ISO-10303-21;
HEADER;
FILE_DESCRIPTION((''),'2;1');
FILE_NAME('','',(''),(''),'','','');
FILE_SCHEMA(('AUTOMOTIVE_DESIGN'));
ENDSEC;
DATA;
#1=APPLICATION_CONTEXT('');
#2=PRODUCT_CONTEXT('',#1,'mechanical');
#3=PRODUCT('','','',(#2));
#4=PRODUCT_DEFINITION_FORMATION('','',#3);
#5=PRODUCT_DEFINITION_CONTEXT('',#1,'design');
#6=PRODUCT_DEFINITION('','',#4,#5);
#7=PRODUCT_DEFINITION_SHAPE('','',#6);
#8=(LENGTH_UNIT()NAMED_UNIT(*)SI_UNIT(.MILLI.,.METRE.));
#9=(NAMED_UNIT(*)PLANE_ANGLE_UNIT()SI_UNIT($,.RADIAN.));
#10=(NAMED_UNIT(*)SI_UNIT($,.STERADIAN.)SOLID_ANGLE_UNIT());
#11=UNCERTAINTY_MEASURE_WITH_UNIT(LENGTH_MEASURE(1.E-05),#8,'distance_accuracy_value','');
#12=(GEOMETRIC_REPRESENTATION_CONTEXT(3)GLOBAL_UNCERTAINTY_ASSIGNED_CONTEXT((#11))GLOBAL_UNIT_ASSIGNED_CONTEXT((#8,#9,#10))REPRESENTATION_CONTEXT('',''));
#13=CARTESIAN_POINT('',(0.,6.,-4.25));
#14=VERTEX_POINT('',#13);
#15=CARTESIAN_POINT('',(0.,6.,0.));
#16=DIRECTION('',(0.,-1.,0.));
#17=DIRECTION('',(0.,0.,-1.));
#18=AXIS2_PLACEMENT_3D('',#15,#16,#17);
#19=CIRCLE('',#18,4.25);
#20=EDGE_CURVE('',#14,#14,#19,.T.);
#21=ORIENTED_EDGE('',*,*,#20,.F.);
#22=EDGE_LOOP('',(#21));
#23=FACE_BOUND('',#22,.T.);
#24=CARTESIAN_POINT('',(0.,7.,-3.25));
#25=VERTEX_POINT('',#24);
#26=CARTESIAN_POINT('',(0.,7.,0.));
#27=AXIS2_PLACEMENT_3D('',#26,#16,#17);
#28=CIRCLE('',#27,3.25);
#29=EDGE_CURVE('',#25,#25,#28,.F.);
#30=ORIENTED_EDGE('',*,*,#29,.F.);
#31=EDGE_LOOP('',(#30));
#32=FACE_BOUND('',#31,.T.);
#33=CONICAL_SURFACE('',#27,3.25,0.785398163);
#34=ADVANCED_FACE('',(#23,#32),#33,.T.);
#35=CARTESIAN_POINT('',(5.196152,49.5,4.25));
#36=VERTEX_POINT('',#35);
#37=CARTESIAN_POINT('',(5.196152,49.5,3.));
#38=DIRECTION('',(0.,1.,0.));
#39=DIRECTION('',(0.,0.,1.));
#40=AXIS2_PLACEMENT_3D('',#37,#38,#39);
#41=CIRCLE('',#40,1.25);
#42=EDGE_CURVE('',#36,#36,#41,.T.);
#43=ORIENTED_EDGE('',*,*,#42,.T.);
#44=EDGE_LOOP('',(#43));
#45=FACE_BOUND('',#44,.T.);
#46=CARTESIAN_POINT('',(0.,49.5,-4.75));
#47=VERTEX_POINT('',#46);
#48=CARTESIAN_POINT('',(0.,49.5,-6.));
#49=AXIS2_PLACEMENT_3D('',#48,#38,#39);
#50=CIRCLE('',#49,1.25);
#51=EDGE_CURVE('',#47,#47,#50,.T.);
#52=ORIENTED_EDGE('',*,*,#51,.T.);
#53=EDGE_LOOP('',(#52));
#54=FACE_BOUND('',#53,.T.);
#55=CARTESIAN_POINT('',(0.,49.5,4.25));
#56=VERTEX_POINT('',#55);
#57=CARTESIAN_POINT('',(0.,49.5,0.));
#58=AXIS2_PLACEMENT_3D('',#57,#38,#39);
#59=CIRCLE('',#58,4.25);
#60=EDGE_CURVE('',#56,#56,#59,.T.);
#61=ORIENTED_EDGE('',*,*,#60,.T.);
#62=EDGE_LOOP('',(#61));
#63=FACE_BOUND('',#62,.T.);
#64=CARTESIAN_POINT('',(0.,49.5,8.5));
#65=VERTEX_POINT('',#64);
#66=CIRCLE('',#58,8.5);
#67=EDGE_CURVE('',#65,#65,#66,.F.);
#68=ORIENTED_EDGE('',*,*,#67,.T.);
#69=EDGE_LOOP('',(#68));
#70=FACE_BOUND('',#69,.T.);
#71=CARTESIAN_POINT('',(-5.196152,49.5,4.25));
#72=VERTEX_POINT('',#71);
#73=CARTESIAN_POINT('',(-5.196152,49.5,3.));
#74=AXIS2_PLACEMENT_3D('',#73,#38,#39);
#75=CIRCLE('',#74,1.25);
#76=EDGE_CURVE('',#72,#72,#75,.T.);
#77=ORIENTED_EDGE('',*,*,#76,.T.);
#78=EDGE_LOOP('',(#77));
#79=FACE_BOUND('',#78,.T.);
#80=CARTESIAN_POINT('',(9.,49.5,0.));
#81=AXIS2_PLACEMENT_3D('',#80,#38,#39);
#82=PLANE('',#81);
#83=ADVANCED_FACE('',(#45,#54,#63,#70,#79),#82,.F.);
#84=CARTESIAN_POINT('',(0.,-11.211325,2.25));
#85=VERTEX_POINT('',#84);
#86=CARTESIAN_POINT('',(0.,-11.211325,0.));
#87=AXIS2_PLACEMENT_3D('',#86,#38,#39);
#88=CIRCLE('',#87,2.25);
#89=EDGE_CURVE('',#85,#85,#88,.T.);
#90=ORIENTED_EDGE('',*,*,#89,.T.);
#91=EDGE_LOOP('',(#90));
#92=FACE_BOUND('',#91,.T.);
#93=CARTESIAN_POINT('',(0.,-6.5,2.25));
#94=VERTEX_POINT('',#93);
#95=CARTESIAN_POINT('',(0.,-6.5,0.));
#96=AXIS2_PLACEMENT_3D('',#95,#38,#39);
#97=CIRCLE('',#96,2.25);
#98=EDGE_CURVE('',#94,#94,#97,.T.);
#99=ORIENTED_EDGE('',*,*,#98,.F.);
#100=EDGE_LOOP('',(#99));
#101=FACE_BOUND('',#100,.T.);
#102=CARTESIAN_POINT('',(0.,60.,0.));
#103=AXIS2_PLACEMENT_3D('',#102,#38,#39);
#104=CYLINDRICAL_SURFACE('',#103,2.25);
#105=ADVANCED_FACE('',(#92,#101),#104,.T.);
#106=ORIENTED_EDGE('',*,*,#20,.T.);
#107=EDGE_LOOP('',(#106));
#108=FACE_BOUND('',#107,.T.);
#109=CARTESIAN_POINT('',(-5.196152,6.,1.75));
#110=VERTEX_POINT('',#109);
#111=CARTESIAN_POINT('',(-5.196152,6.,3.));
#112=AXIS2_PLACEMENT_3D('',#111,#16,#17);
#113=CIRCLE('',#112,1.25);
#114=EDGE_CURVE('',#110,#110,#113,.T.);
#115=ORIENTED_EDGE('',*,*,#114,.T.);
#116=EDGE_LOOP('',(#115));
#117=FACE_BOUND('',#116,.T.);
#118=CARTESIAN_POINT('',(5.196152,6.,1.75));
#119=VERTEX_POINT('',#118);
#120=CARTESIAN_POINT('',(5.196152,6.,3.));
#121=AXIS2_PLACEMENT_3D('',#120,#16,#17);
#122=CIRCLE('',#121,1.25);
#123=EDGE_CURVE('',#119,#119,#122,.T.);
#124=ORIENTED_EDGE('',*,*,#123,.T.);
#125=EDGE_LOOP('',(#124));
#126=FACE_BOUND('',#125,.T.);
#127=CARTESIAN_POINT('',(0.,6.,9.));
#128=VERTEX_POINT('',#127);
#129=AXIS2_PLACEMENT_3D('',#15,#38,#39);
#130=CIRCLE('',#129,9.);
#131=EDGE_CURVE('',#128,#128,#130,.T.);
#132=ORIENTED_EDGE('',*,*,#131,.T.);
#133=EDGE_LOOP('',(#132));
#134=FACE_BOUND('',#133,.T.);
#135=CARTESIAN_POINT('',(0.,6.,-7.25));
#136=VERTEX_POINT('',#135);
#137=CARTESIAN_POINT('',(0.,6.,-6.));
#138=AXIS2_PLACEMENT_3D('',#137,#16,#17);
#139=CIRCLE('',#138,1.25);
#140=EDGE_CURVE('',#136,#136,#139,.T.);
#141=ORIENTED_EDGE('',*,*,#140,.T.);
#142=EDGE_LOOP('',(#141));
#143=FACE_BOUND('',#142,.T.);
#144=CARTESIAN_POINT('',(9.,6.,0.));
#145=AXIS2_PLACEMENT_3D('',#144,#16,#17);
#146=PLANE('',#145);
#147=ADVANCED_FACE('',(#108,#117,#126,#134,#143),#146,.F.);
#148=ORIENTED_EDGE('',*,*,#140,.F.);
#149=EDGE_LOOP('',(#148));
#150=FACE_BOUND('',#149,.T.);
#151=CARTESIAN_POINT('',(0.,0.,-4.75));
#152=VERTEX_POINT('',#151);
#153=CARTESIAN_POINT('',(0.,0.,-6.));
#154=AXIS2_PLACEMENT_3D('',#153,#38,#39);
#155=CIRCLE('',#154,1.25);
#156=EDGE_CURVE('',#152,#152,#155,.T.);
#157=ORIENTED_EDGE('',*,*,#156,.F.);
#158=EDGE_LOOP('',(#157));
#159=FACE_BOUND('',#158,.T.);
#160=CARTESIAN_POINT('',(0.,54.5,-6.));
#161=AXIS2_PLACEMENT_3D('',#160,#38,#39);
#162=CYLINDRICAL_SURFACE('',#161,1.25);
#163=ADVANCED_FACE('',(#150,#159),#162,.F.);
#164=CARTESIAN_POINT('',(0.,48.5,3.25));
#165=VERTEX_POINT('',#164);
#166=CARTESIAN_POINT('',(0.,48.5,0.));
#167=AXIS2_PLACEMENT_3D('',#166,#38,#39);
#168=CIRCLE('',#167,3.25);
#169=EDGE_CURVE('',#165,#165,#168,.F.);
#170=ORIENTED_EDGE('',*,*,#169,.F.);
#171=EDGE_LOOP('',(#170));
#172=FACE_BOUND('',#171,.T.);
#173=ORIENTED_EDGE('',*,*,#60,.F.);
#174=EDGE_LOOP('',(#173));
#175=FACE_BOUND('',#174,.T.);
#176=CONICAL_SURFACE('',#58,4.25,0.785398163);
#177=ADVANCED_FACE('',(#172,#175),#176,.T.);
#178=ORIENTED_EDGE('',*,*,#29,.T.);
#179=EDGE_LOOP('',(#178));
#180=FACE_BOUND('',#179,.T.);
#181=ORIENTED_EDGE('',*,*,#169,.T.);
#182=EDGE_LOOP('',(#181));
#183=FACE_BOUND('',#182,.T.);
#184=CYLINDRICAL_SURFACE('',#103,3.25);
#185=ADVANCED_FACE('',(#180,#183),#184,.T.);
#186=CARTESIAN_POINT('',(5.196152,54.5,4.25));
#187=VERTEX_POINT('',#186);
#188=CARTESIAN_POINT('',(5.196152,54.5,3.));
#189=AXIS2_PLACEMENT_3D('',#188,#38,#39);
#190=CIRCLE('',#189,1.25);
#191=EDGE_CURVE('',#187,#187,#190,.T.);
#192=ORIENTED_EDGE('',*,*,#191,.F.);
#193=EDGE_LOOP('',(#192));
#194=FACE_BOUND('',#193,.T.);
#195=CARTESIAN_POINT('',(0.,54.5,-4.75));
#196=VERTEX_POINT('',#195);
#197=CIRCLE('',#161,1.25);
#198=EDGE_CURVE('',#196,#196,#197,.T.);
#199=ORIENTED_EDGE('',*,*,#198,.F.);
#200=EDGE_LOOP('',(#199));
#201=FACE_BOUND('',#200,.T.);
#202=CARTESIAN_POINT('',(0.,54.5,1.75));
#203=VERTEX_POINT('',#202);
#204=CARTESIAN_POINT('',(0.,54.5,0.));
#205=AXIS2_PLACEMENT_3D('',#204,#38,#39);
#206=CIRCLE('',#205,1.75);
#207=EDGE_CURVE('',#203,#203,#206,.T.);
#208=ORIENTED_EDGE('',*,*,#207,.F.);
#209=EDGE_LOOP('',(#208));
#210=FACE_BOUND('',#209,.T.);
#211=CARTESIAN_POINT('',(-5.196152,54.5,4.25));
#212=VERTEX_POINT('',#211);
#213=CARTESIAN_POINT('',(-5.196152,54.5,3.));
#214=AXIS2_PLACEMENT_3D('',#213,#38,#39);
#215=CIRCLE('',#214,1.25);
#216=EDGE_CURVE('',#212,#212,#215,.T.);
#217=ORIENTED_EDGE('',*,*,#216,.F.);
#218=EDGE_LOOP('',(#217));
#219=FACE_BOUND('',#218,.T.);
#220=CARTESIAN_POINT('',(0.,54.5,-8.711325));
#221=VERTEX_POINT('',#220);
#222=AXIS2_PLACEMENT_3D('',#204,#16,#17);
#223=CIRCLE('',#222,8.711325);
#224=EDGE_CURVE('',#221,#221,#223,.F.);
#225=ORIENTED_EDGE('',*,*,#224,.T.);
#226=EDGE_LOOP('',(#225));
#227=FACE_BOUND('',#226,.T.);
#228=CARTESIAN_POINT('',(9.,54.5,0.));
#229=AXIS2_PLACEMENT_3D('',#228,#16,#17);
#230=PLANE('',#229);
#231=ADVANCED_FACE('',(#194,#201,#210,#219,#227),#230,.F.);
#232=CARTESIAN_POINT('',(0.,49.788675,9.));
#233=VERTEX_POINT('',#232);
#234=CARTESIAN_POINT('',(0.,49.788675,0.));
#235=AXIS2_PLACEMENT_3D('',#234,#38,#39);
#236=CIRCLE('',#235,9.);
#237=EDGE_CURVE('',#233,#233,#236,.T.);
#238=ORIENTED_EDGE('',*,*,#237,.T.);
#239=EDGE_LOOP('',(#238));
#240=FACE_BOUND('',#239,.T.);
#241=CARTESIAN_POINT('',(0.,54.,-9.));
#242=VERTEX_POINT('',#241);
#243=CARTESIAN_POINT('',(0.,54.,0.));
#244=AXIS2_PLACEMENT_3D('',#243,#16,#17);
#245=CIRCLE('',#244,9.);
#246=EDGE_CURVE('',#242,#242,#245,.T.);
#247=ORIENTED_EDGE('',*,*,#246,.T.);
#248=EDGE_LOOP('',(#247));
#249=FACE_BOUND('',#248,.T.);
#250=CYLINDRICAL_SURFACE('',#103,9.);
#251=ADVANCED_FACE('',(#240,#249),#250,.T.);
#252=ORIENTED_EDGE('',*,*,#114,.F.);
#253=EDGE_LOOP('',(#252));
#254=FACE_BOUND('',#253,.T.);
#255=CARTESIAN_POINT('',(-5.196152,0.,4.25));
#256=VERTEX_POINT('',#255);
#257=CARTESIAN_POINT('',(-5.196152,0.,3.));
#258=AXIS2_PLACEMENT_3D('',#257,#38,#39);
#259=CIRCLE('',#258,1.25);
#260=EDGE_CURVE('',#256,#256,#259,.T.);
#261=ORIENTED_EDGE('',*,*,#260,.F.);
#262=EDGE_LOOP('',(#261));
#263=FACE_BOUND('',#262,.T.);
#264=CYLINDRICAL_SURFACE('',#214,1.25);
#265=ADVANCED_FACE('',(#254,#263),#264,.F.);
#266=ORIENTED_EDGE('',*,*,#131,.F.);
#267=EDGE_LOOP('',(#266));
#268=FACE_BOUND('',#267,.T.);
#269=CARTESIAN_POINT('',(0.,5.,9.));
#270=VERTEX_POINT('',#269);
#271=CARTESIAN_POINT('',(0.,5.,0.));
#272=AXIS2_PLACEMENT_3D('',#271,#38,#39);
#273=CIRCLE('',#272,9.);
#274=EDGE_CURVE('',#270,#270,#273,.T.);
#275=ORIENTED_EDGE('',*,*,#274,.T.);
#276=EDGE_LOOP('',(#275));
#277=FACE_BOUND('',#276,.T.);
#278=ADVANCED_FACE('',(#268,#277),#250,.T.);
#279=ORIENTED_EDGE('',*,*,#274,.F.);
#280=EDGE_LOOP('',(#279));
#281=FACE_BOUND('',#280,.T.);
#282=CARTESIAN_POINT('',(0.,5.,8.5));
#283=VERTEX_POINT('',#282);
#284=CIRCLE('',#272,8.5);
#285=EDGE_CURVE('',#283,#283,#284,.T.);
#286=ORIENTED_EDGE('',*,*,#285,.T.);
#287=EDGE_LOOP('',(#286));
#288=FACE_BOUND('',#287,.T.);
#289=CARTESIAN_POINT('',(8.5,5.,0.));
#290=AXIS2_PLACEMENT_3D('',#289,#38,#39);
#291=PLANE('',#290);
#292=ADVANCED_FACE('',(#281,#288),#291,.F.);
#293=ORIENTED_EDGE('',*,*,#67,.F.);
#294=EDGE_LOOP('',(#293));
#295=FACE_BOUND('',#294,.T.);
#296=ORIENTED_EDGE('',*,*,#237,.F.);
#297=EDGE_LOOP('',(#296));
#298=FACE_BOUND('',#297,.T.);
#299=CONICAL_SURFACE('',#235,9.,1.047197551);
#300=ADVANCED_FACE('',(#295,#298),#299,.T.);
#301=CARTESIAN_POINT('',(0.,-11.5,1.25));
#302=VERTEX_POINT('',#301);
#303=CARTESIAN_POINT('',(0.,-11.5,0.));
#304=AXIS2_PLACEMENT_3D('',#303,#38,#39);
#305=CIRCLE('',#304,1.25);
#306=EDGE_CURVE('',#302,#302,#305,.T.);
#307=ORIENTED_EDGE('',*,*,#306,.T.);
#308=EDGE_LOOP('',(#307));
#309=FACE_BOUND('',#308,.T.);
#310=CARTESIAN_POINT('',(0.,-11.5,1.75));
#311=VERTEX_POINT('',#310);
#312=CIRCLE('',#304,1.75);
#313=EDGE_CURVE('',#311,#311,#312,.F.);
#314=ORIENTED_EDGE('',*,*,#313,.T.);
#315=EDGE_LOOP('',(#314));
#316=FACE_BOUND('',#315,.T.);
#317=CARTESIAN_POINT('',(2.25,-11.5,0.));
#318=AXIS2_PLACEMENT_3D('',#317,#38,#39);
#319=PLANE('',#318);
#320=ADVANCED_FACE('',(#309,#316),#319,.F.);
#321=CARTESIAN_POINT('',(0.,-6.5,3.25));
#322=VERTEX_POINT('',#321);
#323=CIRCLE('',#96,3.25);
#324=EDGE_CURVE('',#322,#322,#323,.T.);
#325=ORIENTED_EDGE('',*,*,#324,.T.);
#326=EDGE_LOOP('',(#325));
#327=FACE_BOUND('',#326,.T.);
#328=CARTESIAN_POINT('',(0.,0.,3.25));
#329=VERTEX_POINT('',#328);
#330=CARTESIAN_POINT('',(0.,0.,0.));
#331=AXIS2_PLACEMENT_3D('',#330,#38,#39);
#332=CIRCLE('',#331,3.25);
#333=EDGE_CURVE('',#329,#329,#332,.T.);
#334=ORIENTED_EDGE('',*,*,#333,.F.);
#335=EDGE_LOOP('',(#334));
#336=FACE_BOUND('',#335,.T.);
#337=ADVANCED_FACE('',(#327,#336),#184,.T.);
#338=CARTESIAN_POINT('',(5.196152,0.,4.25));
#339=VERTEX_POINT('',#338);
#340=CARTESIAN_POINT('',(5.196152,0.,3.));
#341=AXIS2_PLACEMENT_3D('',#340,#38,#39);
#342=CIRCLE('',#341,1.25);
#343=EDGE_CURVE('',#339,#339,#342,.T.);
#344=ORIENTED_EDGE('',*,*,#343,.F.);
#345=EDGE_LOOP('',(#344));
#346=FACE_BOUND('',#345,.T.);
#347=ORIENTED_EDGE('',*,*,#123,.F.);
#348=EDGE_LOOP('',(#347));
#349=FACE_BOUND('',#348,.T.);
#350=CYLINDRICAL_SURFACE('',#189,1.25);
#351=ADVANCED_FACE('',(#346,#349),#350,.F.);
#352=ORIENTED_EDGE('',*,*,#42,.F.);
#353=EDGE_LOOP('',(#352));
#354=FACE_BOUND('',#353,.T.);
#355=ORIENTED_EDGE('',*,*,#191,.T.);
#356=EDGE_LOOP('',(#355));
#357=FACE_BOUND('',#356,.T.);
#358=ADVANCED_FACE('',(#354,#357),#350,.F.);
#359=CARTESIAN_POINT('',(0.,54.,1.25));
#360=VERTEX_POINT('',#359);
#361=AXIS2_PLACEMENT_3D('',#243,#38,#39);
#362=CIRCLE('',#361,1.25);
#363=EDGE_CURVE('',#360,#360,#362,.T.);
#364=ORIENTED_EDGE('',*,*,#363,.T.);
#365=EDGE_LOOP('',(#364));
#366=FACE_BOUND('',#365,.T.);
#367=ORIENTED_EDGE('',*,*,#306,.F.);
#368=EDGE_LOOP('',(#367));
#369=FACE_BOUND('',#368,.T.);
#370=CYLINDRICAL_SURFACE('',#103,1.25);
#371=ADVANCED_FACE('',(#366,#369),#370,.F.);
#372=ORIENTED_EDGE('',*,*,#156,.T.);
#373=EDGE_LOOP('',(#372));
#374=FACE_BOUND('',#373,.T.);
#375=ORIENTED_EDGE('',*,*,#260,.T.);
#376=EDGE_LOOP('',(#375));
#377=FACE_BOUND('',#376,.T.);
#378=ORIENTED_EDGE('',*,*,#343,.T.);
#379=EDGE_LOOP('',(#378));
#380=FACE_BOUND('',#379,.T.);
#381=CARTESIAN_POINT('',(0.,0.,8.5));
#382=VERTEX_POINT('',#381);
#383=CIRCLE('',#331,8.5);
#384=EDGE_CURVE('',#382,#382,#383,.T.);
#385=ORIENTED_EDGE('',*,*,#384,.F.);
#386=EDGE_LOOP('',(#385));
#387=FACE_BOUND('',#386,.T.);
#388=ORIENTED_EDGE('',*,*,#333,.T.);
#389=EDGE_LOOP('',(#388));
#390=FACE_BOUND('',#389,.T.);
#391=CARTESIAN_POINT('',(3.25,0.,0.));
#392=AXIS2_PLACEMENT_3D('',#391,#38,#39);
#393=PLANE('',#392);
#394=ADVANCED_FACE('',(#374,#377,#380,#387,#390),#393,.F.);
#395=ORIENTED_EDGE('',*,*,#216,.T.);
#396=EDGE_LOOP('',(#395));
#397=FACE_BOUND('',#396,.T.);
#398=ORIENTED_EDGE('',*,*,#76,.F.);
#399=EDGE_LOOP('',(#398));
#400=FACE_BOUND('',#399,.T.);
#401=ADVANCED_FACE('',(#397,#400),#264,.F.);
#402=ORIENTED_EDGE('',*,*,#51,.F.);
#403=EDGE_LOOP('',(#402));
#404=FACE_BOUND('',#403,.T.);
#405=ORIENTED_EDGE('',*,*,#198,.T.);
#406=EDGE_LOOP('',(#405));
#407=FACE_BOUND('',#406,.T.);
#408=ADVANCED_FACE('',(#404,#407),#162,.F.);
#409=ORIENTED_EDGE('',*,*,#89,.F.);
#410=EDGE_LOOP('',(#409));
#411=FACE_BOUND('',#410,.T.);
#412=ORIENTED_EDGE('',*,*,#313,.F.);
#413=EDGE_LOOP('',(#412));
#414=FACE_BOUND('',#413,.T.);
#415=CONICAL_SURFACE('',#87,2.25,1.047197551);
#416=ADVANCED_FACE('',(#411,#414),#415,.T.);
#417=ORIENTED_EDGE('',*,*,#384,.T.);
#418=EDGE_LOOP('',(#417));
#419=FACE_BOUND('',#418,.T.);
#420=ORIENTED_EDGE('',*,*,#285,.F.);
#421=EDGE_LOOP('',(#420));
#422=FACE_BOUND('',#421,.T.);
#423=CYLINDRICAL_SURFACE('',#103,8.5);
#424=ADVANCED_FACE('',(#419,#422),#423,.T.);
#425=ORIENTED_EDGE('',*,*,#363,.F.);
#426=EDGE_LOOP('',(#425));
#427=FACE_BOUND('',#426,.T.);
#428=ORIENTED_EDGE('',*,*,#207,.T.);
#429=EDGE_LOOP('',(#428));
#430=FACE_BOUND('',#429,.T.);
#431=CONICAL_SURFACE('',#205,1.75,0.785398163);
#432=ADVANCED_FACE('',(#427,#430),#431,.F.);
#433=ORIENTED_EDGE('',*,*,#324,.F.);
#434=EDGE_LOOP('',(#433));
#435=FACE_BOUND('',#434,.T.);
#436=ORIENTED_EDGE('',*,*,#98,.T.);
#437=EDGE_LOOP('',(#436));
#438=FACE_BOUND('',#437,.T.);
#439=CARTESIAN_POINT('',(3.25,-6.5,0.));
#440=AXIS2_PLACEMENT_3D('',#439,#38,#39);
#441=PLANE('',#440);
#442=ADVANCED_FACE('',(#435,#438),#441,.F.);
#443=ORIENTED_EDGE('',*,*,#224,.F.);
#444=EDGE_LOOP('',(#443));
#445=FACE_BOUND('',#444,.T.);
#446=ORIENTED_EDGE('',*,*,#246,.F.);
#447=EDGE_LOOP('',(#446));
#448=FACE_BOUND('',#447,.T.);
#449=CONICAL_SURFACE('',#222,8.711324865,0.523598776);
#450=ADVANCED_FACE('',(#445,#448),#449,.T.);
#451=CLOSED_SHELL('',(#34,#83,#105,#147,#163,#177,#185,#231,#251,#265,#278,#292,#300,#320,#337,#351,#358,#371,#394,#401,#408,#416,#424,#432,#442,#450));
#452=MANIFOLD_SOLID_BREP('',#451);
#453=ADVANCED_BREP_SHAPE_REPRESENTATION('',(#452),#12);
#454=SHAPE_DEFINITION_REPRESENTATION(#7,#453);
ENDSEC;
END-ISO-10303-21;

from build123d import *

# Parameters (mm, degrees)
HOLE_WIZARD_M3_1_D           = 2.5
CHAMFER_1_SIZE               = 1
CHAMFER_2_SIZE               = 0.5
CHAMFER_2_SIZE2              = 0.288675135
CHAMFER_2_PART_2_SIZE        = 0.5
CHAMFER_2_PART_2_SIZE2       = 0.288675135
CHAMFER_2_PART_3_SIZE        = 0.5
CHAMFER_2_PART_3_SIZE2       = 0.288675135
HOLE_WIZARD_M3_2_D           = 2.5
HOLE_WIZARD_M3_2_DEPTH       = 6
HOLE_WIZARD_M3_2_CSINK_D     = 3.5
HOLE_WIZARD_M3_2_CSINK_ANGLE = 90
HOLE_WIZARD_M3_2_TIP         = 0.751075774


with BuildPart() as part:
    # 草图2 → 旋转1 (revolve)
    with BuildSketch(Plane.XY):
        Polygon((3.25, 0), (8.5, 0), (8.5, 5), (9, 5), (9, 6), (3.25, 6), (3.25, 49.5), (9, 49.5), (9, 54.5), (1.25, 54.5), (1.25, -11.5), (2.25, -11.5), (2.25, -6.5), (3.25, -6.5), align=None)
    revolve(axis=Axis((0, 60, 0), (0, -1, 0)))

    # M3 螺纹孔1 (through all)
    with Locations(Plane(origin=(0, 54.5, 0), x_dir=(1, 0, 0), z_dir=(0, 1, 0))):
        with Locations((-5.196152423, -3), (0, 6), (5.196152423, -3)):
            Hole(HOLE_WIZARD_M3_1_D / 2)

    # 倒角1
    chamfer_1_edges = [part.edges().sort_by_distance(p)[0] for p in [
        (-3.25, 6, 0),
        (-3.25, 49.5, 0),
    ]]
    chamfer(chamfer_1_edges, length=CHAMFER_1_SIZE)

    # 倒角2
    chamfer_2_edges = [part.edges().sort_by_distance(p)[0] for p in [
        (-9, 49.5, 0),
    ]]
    chamfer_2_side = [part.faces().sort_by_distance(p)[0] for p in [
        (-4.504558441, 49.5, 0),
    ]]
    chamfer(chamfer_2_edges, length=CHAMFER_2_SIZE, length2=CHAMFER_2_SIZE2, reference=chamfer_2_side[0])

    # 倒角2 part 2
    chamfer_2_part_2_edges = [part.edges().sort_by_distance(p)[0] for p in [
        (-9, 54.5, 0),
    ]]
    chamfer_2_part_2_side = [part.faces().sort_by_distance(p)[0] for p in [
        (-9, 52, 0),
    ]]
    chamfer(chamfer_2_part_2_edges, length=CHAMFER_2_PART_2_SIZE, length2=CHAMFER_2_PART_2_SIZE2, reference=chamfer_2_part_2_side[0])

    # 倒角2 part 3
    chamfer_2_part_3_edges = [part.edges().sort_by_distance(p)[0] for p in [
        (-2.25, -11.5, 0),
    ]]
    chamfer_2_part_3_side = [part.faces().sort_by_distance(p)[0] for p in [
        (-1.31363961, -11.5, 0),
    ]]
    chamfer(chamfer_2_part_3_edges, length=CHAMFER_2_PART_3_SIZE, length2=CHAMFER_2_PART_3_SIZE2, reference=chamfer_2_part_3_side[0])

    # M3 螺纹孔2
    with Locations(Plane(origin=(0, 54.5, 0), x_dir=(1, 0, 0), z_dir=(0, 1, 0))):
        with Locations((0, 0)):
            CounterSinkHole(HOLE_WIZARD_M3_2_D / 2, HOLE_WIZARD_M3_2_CSINK_D / 2, depth=HOLE_WIZARD_M3_2_DEPTH, counter_sink_angle=HOLE_WIZARD_M3_2_CSINK_ANGLE)
            with Locations((0, 0, -(HOLE_WIZARD_M3_2_DEPTH + HOLE_WIZARD_M3_2_TIP / 2))):  # 118° drill point
                Cone(0, HOLE_WIZARD_M3_2_D / 2, HOLE_WIZARD_M3_2_TIP, mode=Mode.SUBTRACT)


solid = part.part
